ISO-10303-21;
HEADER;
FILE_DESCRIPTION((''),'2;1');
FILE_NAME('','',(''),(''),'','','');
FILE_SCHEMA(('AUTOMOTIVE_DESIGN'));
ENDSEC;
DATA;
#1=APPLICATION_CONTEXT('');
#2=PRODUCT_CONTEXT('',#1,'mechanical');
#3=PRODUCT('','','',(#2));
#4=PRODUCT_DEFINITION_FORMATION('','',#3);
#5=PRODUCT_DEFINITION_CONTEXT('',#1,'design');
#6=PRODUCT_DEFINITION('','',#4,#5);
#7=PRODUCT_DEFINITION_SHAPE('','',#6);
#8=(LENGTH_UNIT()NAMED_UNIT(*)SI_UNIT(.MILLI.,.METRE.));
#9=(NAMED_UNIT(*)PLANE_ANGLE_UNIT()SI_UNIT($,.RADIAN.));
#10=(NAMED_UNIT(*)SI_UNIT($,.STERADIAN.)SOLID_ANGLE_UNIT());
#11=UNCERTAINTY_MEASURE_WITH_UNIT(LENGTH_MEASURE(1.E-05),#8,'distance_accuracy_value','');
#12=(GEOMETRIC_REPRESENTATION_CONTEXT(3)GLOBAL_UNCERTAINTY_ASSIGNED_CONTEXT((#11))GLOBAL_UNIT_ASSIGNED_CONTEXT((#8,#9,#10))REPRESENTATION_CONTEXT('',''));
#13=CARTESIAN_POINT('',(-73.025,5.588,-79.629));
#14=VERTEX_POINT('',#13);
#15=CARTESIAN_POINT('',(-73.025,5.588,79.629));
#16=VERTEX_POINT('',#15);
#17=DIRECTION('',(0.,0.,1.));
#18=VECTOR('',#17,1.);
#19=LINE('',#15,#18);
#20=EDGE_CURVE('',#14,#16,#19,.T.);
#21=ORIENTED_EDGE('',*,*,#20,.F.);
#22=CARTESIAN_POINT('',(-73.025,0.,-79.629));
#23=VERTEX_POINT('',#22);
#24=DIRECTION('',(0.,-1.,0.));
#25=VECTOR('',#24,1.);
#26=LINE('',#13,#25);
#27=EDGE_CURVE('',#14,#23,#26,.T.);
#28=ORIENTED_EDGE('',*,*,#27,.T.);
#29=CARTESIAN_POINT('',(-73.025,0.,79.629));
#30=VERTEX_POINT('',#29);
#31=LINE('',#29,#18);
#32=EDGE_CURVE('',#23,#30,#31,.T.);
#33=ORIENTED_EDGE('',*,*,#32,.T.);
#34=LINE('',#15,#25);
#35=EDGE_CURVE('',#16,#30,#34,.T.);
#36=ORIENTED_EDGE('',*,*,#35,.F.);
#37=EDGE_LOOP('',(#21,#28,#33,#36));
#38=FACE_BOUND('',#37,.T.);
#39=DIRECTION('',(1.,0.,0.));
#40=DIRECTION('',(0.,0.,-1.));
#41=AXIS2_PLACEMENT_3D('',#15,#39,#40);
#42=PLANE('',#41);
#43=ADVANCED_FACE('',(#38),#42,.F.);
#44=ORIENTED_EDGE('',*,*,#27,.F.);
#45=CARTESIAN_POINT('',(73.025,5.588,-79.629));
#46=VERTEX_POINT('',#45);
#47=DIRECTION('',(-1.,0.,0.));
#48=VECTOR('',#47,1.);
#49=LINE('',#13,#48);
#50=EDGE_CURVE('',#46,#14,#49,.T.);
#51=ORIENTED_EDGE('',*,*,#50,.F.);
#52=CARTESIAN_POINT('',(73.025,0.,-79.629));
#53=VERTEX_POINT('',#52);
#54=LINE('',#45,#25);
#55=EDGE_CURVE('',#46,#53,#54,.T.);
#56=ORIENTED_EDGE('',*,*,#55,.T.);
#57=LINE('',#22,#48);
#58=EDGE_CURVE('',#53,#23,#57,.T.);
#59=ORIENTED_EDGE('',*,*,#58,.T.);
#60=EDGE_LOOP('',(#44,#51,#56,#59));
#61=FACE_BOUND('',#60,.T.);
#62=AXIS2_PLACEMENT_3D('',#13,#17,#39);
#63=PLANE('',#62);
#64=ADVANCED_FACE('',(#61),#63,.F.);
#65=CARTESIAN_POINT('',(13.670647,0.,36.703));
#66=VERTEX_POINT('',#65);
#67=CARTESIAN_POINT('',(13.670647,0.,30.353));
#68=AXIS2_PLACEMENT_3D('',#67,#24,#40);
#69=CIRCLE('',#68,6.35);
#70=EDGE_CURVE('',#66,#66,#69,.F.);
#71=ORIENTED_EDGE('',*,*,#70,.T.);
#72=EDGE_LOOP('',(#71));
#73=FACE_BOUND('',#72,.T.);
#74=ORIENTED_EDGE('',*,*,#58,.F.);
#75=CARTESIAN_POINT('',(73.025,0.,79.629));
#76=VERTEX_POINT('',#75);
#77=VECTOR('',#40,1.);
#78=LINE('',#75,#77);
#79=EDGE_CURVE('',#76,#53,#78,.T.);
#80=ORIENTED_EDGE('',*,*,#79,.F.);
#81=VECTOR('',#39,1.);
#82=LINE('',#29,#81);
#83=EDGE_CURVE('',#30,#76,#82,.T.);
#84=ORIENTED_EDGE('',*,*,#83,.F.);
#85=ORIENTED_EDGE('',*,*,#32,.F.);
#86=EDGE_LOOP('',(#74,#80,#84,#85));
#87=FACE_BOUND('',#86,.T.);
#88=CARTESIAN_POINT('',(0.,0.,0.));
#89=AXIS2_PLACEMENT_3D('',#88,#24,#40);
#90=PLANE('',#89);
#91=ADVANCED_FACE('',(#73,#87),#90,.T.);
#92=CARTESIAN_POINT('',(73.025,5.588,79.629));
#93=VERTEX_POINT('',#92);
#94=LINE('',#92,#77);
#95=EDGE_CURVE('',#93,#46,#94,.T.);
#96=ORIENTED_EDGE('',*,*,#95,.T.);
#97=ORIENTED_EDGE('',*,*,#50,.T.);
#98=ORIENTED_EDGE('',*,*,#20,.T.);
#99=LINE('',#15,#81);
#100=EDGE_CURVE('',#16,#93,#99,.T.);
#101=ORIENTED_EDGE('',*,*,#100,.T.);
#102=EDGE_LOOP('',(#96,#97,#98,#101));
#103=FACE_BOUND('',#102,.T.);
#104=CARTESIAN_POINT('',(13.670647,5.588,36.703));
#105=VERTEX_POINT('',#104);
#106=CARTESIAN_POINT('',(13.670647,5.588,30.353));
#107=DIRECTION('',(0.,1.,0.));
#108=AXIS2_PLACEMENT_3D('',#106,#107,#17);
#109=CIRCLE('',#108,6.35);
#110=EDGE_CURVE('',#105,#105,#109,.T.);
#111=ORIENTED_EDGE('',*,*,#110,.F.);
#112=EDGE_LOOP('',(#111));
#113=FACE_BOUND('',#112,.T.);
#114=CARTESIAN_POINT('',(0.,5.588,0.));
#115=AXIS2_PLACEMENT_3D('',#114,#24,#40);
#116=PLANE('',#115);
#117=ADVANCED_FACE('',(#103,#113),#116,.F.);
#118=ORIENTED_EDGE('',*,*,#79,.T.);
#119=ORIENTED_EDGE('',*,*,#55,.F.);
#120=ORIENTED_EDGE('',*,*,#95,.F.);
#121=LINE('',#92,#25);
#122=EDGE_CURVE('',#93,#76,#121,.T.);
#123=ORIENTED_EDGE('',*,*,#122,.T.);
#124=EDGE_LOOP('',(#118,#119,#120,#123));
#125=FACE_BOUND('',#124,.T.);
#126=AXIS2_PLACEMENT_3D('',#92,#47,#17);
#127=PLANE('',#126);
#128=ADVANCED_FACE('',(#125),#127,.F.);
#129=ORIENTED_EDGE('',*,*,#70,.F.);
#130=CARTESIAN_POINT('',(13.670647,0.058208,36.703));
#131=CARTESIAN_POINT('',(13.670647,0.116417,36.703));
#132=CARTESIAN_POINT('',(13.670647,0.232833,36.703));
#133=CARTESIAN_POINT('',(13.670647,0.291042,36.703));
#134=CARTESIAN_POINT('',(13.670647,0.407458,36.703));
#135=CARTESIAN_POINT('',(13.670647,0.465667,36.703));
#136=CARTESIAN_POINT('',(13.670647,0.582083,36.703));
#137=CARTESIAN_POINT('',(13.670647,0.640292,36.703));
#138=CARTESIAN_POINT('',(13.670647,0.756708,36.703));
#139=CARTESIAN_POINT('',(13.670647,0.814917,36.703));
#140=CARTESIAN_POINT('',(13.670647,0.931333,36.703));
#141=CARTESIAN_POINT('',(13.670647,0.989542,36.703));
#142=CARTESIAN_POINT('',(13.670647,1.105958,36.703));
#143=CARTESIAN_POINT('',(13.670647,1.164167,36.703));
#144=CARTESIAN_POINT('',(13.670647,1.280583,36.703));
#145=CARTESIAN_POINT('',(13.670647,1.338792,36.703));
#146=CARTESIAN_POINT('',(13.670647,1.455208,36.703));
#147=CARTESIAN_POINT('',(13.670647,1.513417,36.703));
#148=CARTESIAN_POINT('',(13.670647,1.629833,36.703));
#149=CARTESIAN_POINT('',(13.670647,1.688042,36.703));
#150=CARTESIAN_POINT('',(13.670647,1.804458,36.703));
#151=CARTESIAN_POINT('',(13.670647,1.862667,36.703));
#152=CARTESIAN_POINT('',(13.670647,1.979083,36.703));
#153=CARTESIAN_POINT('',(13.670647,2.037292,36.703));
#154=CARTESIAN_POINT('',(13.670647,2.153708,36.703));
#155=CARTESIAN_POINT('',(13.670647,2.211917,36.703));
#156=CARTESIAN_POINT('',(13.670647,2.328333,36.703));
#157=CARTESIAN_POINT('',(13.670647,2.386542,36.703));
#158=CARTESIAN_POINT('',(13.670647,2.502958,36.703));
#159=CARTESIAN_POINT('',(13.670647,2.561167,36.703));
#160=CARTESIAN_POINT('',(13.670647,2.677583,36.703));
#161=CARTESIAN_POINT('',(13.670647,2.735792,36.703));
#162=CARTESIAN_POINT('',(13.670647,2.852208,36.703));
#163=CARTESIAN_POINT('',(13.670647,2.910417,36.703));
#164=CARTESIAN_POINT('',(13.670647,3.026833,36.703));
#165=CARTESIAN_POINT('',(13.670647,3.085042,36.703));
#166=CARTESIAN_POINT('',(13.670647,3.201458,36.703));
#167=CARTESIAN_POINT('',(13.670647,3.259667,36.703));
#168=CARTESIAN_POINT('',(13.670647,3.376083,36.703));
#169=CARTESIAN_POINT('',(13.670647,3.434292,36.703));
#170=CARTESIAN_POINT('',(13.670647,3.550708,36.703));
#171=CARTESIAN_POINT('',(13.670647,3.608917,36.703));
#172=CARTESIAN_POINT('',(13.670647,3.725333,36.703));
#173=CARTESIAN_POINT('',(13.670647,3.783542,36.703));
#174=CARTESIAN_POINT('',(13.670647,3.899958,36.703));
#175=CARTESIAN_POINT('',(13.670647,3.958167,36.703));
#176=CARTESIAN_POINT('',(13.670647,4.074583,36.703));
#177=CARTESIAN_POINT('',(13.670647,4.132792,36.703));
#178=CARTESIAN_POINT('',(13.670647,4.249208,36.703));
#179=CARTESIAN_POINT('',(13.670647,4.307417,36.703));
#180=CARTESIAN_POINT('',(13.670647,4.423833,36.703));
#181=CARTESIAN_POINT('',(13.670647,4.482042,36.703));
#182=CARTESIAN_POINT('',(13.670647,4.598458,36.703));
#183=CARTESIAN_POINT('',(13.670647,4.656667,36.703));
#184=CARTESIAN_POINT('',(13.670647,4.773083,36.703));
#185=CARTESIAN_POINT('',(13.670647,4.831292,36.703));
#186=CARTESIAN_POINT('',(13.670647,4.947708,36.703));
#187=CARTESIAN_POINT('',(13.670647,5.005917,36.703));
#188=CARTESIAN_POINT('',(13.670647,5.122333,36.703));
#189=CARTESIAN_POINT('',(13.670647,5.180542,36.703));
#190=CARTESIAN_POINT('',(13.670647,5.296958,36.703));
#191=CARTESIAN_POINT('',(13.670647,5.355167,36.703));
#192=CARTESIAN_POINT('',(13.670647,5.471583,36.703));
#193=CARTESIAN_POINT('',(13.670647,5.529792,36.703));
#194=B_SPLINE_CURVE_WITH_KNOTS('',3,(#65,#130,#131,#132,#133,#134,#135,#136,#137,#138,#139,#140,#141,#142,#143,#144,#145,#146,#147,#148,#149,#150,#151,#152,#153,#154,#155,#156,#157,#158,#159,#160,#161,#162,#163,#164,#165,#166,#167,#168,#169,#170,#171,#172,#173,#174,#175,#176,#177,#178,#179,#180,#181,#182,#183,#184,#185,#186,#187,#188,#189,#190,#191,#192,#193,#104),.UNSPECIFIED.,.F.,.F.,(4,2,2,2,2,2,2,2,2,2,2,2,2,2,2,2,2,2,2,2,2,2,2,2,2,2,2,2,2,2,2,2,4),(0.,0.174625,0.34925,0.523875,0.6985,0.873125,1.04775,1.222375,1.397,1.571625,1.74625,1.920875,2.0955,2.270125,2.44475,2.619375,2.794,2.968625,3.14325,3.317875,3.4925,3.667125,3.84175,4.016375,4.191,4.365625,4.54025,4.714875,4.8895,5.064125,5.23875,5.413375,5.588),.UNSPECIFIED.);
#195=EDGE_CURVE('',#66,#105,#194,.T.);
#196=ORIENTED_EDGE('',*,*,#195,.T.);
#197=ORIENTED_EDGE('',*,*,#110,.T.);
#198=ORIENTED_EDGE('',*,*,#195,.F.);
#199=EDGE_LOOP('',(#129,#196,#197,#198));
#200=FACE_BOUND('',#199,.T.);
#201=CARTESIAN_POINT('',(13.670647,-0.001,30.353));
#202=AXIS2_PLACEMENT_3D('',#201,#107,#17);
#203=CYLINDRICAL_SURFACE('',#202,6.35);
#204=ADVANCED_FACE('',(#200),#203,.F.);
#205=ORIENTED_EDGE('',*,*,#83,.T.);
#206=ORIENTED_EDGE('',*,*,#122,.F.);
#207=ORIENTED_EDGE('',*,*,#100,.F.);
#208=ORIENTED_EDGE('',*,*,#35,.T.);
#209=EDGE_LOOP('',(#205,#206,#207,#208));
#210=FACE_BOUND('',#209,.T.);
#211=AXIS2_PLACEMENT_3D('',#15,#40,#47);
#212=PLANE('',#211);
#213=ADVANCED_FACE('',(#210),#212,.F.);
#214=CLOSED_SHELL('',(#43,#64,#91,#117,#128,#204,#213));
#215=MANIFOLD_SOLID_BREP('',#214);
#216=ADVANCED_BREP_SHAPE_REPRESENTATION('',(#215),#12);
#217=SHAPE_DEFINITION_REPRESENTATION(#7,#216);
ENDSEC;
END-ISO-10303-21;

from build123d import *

# Parameters (mm, degrees)
SKETCH1_W           = 146.05
SKETCH1_H           = 159.258
BOSS_EXTRUDE1_DEPTH = 5.588
CUT_EXTRUDE1_REACH  = 110.188
SKETCH4_R           = 6.35


with BuildPart() as part:
    # Sketch1 → Boss-Extrude1 (new body)
    with BuildSketch(Plane(origin=(0, 0, 0), x_dir=(1, 0, 0), z_dir=(0, 1, 0))):
        Rectangle(SKETCH1_W, SKETCH1_H)
    extrude(amount=BOSS_EXTRUDE1_DEPTH)

    # Sketch4 → Cut-Extrude1 (cut, up to next)
    with BuildSketch(Plane(origin=(0, 5.588, 0), x_dir=(1, 0, 0), z_dir=(0, 1, 0)), mode=Mode.PRIVATE) as cut_extrude1_sk1:
        with Locations(Location((13.670647071, -30.353, 0), (0, 0, 270))):
            Circle(SKETCH4_R)
    cut_extrude1_tool1 = extrude(cut_extrude1_sk1.sketch, amount=-CUT_EXTRUDE1_REACH, mode=Mode.PRIVATE) & part.part
    add(cut_extrude1_tool1.solids().sort_by_distance((13.670647, 5.588, 30.353))[0], mode=Mode.SUBTRACT)


solid = part.part
